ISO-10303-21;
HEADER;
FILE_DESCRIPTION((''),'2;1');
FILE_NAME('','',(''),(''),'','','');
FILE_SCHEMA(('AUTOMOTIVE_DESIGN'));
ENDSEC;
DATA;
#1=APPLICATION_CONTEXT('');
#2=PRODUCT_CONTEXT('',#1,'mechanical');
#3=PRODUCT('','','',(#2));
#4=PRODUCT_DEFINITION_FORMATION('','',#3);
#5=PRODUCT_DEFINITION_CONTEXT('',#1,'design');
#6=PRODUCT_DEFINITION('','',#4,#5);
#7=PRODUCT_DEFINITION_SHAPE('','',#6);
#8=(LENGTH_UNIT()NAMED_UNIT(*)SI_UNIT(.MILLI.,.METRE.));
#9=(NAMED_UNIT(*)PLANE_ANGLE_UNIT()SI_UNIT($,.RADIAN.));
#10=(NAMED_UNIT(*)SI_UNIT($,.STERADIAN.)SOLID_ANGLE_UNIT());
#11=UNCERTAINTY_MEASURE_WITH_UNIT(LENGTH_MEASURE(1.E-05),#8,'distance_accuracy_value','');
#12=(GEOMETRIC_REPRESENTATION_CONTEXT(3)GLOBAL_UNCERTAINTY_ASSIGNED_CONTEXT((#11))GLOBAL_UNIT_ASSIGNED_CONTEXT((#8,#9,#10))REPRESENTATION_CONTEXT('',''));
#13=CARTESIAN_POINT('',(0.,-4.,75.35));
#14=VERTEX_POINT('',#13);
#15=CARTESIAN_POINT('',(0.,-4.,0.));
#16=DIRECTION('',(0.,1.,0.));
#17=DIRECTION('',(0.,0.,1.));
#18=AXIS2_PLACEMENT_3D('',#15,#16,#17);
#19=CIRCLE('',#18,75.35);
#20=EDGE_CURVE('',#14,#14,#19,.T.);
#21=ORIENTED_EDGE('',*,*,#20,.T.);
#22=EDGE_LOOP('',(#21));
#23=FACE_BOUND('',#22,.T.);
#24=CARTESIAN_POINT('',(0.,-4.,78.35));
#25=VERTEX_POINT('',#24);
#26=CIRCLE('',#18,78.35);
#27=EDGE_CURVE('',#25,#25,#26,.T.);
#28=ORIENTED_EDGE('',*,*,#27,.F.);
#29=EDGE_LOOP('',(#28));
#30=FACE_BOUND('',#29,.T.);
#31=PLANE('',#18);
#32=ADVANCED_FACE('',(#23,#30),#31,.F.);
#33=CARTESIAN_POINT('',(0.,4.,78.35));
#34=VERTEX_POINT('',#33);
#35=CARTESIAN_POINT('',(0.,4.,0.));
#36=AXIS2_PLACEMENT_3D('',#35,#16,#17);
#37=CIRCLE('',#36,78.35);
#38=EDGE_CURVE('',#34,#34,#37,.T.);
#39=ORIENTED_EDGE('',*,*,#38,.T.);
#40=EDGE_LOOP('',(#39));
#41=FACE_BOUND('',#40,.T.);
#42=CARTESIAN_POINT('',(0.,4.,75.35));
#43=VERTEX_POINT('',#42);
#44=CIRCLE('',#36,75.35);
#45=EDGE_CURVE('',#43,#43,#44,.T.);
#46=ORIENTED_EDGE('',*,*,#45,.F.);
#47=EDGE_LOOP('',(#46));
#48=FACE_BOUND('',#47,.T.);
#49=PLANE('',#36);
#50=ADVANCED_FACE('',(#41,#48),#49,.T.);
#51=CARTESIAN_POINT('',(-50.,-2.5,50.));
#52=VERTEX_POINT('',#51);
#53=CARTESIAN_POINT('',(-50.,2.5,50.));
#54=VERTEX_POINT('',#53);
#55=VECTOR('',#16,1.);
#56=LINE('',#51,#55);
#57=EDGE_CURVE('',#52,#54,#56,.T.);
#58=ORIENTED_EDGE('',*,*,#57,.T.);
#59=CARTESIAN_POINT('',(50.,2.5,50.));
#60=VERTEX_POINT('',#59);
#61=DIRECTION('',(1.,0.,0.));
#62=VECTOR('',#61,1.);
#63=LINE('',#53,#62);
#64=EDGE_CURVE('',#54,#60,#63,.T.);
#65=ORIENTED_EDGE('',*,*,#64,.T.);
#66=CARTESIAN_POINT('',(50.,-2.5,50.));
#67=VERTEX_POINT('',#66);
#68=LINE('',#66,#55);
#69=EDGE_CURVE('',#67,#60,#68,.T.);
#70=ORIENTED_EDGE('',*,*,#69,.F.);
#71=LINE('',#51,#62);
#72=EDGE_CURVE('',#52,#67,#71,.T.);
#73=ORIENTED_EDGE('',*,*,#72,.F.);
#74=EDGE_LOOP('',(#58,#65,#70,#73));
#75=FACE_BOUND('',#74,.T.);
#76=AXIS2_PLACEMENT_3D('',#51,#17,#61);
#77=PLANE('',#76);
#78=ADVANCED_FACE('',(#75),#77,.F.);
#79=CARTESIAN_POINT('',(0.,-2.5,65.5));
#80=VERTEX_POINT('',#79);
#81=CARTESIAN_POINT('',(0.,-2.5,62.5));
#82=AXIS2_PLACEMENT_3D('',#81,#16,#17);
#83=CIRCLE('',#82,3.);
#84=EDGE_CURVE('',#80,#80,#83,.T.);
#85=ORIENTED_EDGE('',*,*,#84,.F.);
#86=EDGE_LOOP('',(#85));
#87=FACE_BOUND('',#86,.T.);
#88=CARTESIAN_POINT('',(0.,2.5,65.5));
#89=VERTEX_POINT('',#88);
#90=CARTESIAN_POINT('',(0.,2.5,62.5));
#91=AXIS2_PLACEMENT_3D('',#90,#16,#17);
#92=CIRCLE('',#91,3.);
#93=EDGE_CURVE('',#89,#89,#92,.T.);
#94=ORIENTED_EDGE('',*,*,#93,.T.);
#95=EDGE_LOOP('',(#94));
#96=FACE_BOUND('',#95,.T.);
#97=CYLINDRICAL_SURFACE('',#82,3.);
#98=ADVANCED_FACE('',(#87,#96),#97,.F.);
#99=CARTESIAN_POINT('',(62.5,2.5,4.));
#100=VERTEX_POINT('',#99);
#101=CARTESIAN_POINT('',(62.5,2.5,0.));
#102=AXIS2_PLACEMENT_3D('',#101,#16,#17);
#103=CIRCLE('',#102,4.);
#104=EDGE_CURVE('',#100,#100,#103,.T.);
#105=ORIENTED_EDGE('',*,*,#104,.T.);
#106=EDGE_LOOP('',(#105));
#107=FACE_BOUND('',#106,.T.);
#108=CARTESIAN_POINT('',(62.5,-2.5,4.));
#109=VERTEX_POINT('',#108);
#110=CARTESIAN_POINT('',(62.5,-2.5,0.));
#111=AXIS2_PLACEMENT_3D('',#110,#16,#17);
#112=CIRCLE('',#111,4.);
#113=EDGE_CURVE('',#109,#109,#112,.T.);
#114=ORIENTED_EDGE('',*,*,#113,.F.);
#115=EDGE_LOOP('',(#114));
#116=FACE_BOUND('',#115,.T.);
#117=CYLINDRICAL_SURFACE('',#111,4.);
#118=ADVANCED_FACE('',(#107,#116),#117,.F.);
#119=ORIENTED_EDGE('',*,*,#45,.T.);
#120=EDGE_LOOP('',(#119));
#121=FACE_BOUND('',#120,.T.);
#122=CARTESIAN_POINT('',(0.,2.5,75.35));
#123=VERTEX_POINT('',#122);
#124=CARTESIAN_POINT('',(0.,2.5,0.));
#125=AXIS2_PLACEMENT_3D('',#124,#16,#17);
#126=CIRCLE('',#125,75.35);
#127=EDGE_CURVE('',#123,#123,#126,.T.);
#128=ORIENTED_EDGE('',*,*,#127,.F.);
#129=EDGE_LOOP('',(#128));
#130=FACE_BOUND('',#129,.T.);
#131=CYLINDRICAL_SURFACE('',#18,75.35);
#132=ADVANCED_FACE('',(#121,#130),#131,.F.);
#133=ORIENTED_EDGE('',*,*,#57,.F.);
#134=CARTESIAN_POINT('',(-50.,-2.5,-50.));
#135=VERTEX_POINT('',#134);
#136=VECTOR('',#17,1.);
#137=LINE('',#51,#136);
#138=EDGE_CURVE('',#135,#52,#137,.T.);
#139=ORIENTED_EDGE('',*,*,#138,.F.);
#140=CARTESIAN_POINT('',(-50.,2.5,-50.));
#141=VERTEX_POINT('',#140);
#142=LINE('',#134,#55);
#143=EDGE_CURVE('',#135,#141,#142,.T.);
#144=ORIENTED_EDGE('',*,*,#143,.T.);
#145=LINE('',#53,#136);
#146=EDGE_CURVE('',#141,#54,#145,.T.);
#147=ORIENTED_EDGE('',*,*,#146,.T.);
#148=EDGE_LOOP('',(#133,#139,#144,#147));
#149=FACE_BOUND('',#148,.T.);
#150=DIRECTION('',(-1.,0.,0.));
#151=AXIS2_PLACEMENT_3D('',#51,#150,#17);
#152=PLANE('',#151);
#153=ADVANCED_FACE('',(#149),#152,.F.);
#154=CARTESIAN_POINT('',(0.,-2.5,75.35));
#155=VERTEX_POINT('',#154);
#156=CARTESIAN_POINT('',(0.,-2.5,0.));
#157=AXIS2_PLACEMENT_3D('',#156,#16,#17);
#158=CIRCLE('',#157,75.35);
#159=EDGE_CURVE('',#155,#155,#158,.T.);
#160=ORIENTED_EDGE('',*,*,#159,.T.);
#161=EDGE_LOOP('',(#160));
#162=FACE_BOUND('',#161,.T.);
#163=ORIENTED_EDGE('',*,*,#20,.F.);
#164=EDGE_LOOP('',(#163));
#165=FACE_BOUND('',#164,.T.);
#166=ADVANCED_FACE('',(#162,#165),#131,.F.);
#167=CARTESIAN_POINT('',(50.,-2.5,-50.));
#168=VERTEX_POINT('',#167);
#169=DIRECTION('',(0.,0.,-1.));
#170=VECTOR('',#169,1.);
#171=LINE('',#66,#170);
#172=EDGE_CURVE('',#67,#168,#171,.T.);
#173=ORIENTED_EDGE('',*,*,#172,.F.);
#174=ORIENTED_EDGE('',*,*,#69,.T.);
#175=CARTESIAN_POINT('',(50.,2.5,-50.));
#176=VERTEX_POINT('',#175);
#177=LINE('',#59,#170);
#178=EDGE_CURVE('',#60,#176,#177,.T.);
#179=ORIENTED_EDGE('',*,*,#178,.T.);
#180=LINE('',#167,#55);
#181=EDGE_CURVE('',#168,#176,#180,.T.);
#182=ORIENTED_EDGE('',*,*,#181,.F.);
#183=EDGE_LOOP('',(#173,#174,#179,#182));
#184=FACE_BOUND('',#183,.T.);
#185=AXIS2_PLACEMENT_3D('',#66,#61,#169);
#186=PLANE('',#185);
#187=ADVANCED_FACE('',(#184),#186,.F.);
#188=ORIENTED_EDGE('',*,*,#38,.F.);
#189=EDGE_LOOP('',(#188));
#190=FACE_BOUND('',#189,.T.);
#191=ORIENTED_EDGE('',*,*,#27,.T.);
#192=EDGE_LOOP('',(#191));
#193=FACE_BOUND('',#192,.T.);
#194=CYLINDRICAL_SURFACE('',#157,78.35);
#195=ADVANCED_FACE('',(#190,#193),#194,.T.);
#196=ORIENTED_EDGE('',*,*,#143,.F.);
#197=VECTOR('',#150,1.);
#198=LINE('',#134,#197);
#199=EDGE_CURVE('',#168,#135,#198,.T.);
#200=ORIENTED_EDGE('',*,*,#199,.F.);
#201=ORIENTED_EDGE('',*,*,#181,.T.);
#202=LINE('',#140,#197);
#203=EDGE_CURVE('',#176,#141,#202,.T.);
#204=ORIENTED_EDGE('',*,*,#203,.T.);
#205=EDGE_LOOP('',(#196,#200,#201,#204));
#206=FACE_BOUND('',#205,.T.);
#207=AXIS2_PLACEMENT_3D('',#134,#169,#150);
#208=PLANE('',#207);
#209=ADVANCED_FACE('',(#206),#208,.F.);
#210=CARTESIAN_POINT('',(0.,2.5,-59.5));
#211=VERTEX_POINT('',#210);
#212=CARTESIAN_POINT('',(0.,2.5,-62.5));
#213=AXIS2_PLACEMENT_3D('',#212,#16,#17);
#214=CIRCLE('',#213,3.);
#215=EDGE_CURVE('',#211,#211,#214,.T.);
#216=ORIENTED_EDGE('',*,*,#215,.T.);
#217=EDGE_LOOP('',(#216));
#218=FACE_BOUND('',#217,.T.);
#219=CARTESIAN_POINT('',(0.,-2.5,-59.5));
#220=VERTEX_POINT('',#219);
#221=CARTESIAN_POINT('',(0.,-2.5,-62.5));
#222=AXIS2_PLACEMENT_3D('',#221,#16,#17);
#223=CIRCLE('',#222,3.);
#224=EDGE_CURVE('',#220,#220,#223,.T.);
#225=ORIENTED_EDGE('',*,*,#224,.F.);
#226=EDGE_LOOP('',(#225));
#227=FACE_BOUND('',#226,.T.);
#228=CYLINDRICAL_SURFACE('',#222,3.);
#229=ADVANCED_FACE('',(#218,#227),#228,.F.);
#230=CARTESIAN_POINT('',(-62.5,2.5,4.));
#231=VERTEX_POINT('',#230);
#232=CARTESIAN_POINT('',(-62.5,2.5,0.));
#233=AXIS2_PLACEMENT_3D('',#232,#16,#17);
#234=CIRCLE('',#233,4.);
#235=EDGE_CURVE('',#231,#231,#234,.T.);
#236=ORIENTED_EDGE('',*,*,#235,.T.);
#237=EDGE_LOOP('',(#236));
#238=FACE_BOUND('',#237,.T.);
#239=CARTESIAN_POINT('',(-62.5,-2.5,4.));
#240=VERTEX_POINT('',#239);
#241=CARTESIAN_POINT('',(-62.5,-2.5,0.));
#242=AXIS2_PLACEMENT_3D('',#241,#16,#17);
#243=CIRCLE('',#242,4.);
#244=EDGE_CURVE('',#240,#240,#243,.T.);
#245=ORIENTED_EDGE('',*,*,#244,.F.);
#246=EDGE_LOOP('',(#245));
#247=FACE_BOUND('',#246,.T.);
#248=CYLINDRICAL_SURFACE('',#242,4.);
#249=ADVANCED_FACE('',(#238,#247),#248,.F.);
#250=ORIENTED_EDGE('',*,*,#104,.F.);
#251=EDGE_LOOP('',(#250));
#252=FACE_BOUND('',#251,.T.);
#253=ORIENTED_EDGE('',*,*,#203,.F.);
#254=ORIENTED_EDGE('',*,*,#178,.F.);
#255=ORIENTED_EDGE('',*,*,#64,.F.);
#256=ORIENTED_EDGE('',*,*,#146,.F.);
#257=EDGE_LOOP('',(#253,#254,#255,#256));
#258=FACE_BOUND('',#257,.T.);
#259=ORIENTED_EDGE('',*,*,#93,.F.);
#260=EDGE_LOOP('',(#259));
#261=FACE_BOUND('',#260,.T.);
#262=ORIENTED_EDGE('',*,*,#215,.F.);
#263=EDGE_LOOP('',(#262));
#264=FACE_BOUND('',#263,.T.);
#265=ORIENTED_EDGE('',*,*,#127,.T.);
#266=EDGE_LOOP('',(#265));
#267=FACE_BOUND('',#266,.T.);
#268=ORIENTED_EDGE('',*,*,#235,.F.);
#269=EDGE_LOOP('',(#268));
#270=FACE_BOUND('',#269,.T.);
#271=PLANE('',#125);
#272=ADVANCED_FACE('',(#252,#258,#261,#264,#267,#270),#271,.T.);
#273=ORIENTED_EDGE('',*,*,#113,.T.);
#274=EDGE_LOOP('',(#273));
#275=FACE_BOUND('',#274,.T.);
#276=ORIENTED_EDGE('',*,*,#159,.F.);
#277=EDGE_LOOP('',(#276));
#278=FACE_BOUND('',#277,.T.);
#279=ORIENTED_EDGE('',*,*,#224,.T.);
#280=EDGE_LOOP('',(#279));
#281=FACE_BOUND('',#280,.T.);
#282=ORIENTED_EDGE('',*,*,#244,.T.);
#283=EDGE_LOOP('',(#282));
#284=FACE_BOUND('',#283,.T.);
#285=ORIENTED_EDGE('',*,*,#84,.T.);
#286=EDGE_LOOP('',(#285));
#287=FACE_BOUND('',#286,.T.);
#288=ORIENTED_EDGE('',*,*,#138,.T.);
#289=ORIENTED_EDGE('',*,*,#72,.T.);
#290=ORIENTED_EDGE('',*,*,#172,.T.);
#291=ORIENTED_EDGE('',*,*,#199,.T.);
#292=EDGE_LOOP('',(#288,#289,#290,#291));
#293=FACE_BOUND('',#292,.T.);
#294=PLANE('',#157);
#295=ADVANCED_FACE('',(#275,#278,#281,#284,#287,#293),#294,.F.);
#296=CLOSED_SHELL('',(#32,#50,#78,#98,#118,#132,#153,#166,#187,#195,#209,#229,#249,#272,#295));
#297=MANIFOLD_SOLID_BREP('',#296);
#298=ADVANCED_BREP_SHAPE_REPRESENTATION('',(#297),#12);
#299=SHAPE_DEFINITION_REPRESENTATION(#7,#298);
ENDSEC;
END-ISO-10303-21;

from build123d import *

# Parameters (mm, degrees)
BOSS_EXTRUDE1_DEPTH      = 2.5
BOSS_EXTRUDE1_DEPTH_BACK = 2.5
SKETCH1_R                = 78.35
SKETCH1_R_2              = 4
SKETCH1_R_3              = 3
SKETCH1_W                = 100
SKETCH1_H                = 100
BOSS_EXTRUDE2_DEPTH      = 4
BOSS_EXTRUDE2_DEPTH_BACK = 4
SKETCH2_R                = 78.35
SKETCH2_R_2              = 75.35


with BuildPart() as part:
    # Sketch1 → Boss-Extrude1 (new, two sides: drawn at the far end of the back side and taken through both)
    with BuildSketch(Plane(origin=(0, 0, 0), x_dir=(1, 0, 0), z_dir=(0, 1, 0)).offset(-BOSS_EXTRUDE1_DEPTH_BACK)):
        Circle(SKETCH1_R)
        with Locations((62.5, 0)):
            Circle(SKETCH1_R_2, mode=Mode.SUBTRACT)
        with Locations((-62.5, 0)):
            Circle(SKETCH1_R_2, mode=Mode.SUBTRACT)
        with Locations((0, 62.5)):
            Circle(SKETCH1_R_3, mode=Mode.SUBTRACT)
        with Locations((0, -62.5)):
            Circle(SKETCH1_R_3, mode=Mode.SUBTRACT)
        Rectangle(SKETCH1_W, SKETCH1_H, mode=Mode.SUBTRACT)
    extrude(amount=BOSS_EXTRUDE1_DEPTH + BOSS_EXTRUDE1_DEPTH_BACK)

    # Sketch2 → Boss-Extrude2 (add, two sides: drawn at the far end of the back side and taken through both)
    with BuildSketch(Plane(origin=(0, 0, 0), x_dir=(1, 0, 0), z_dir=(0, 1, 0)).offset(-BOSS_EXTRUDE2_DEPTH_BACK)):
        Circle(SKETCH2_R)
        Circle(SKETCH2_R_2, mode=Mode.SUBTRACT)
    extrude(amount=BOSS_EXTRUDE2_DEPTH + BOSS_EXTRUDE2_DEPTH_BACK)


solid = part.part
